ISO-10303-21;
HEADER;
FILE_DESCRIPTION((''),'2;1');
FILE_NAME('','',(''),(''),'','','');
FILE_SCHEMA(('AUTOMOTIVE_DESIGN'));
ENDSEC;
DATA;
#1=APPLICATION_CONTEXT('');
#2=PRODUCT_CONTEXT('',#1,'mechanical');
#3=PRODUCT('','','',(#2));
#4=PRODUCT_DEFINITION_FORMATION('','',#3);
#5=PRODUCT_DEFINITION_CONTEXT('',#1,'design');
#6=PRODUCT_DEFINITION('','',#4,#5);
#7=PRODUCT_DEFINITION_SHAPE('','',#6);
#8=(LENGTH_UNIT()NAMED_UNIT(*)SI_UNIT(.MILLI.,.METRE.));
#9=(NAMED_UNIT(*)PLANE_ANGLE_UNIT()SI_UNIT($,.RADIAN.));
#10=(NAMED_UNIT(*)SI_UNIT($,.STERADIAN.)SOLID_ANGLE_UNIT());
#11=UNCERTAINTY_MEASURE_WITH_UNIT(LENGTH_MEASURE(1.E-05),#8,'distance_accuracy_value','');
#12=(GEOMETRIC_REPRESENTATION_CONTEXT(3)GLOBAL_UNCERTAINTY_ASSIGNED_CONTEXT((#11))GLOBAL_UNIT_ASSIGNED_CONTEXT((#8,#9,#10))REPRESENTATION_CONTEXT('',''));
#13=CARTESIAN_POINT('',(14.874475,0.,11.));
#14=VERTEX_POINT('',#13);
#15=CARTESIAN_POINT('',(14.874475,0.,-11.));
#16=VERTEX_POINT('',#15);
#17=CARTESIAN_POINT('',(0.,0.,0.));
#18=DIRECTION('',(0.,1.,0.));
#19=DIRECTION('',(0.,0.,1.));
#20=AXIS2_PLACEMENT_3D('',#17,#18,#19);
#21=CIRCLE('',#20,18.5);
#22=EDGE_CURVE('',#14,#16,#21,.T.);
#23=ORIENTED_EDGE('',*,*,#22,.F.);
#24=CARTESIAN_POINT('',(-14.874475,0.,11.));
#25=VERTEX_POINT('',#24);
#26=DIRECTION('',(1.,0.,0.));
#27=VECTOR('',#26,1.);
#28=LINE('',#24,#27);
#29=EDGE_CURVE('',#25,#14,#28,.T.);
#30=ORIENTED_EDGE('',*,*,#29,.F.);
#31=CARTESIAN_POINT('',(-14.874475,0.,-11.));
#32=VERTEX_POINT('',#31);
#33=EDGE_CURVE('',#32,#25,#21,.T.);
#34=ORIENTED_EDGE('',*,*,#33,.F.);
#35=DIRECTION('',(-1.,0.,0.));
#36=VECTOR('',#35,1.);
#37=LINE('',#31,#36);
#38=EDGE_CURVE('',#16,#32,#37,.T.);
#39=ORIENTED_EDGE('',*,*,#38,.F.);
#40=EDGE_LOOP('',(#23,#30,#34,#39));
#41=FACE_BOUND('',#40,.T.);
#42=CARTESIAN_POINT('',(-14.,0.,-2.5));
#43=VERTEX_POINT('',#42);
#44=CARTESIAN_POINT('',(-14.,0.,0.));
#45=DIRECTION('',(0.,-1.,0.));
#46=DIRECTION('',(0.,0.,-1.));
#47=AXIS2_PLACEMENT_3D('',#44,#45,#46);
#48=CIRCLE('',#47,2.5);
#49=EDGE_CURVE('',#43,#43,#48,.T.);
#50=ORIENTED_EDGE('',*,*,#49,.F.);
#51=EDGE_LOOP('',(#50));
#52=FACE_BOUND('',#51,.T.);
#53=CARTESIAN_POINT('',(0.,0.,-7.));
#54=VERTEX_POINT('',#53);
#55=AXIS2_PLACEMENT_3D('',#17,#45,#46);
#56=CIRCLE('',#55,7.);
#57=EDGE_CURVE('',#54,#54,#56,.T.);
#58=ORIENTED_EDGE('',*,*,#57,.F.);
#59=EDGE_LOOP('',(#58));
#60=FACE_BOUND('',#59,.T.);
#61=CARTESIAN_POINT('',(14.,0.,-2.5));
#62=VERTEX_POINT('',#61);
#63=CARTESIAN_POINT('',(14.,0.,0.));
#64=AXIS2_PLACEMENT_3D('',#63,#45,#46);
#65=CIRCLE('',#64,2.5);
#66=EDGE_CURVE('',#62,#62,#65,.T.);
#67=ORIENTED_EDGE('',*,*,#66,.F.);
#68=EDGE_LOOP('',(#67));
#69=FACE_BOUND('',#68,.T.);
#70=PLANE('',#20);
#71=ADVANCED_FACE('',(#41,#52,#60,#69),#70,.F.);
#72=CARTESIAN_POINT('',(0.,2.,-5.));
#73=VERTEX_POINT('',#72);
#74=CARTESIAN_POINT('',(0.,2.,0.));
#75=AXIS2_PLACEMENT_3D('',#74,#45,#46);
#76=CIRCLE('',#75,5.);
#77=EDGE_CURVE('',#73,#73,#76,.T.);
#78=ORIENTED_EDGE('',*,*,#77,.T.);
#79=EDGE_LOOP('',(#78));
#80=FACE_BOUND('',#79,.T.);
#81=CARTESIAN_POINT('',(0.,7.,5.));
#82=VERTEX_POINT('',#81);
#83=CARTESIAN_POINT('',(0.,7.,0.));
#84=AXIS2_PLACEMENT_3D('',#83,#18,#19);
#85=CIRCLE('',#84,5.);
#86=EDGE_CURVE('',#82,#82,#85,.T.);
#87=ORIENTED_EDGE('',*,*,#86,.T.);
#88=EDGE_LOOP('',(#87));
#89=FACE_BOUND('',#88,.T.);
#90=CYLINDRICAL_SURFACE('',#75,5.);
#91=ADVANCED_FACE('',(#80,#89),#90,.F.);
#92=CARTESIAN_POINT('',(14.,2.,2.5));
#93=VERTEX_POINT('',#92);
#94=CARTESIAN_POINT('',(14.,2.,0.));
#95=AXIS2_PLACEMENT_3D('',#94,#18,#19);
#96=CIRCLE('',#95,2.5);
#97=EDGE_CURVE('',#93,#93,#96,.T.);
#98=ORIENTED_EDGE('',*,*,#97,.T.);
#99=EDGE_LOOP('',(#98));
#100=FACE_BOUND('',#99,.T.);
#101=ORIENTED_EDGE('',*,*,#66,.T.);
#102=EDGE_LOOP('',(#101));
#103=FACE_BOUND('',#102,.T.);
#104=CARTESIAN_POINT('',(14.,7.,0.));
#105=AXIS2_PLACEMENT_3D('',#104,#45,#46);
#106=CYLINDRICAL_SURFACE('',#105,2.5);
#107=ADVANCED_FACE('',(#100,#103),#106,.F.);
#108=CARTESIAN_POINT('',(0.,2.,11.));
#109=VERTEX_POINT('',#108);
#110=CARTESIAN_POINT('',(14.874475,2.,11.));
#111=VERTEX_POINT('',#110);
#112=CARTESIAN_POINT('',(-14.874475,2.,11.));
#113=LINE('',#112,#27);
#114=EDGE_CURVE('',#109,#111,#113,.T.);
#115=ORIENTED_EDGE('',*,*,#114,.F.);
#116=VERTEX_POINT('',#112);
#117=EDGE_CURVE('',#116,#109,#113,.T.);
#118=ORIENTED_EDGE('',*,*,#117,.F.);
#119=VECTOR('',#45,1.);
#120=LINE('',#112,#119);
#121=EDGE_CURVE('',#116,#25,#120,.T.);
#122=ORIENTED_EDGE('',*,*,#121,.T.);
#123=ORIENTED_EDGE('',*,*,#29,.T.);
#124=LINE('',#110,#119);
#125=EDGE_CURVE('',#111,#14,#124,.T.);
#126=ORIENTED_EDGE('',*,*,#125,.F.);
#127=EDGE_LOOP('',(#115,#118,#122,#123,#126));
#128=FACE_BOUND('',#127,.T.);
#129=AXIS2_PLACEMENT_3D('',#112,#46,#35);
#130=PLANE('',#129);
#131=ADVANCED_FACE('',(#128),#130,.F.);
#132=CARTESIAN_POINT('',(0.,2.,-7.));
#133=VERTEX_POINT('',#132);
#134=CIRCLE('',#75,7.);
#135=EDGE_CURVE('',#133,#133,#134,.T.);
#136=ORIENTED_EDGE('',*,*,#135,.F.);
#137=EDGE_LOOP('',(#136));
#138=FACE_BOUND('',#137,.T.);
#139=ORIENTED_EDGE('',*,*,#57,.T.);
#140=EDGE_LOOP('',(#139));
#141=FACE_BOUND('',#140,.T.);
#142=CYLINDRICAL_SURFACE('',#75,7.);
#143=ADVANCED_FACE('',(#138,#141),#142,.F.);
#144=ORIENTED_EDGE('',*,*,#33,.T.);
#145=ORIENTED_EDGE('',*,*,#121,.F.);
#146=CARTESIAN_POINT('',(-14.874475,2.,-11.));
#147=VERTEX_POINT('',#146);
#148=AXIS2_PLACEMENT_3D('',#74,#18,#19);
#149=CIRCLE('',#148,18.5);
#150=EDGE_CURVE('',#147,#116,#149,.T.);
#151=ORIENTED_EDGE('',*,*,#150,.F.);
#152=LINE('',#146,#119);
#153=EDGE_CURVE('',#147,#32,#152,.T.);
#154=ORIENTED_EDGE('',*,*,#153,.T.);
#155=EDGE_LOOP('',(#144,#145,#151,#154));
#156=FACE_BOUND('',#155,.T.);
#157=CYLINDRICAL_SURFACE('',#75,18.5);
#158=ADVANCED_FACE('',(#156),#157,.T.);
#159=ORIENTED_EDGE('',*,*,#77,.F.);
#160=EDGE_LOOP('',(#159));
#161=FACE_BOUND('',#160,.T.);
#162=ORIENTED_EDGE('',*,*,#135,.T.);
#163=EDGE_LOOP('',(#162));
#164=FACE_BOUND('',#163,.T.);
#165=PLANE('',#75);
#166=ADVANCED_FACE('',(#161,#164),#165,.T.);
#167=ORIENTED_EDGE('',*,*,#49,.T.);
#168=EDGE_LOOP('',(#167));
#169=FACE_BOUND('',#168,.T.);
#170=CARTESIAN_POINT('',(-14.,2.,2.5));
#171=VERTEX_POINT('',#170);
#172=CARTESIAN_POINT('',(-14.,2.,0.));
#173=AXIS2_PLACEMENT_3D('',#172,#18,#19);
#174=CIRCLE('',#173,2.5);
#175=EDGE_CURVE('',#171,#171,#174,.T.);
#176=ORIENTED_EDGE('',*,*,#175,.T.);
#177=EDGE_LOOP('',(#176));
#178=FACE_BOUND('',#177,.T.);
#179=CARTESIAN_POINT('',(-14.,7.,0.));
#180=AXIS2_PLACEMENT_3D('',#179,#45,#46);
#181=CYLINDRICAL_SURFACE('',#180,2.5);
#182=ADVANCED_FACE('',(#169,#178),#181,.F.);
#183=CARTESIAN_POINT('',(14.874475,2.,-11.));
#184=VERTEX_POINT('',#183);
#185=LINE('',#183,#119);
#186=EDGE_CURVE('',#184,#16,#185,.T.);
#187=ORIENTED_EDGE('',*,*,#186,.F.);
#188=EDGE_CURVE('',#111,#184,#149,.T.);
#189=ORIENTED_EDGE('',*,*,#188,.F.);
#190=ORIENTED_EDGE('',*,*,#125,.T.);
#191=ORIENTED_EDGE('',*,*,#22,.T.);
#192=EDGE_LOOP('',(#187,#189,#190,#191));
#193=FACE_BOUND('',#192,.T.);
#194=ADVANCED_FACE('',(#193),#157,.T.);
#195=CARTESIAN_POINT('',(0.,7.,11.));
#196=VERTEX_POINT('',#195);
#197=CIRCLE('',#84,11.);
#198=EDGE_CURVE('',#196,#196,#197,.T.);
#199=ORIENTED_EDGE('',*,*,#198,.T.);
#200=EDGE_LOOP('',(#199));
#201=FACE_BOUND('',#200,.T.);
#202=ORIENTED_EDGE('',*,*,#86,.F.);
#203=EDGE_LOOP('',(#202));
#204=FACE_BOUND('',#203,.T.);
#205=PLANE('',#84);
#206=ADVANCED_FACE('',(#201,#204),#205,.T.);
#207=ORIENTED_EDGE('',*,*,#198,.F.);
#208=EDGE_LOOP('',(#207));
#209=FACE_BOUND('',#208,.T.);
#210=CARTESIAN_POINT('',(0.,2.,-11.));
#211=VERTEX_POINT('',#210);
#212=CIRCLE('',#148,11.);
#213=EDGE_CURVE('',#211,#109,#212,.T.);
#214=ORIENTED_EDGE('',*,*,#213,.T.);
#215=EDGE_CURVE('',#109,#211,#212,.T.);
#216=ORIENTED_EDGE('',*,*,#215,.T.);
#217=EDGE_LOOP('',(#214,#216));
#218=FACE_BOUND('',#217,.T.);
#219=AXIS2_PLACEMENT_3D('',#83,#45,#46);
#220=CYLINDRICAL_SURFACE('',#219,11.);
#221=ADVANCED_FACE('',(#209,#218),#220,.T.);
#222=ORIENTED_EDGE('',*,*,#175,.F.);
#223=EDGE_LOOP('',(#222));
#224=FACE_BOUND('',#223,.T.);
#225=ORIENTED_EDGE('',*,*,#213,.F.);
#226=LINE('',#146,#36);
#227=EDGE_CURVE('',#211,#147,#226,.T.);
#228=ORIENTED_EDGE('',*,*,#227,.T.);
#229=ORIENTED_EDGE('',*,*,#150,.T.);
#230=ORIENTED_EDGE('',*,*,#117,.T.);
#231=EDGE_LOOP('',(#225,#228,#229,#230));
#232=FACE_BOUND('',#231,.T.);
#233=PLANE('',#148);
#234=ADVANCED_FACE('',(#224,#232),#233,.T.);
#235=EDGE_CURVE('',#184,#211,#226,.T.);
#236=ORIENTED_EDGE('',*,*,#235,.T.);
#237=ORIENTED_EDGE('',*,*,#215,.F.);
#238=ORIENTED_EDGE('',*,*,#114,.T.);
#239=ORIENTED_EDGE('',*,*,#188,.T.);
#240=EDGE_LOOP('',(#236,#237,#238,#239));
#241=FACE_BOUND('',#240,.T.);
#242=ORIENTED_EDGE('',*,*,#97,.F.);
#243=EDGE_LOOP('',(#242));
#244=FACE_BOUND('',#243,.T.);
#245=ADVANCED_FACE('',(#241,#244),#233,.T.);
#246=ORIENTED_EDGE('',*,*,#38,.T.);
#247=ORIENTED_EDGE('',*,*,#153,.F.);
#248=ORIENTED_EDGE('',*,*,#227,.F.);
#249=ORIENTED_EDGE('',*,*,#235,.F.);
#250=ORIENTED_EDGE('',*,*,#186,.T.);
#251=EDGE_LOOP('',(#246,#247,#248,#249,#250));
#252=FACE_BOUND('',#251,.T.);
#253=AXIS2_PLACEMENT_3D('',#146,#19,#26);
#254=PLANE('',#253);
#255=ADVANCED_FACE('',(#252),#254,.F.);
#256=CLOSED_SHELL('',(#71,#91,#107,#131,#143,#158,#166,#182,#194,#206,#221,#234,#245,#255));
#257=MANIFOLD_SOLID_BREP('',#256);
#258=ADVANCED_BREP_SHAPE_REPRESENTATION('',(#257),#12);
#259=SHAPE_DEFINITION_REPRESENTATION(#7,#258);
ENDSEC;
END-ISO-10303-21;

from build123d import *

# Parameters (mm, degrees)
SKETCH_1_R          = 5
EXTRUDE_1_DEPTH     = 2
SKETCH_2_R          = 11
SKETCH_2_R_2        = 5
EXTRUDE_2_DEPTH     = 5
SKETCH_3_R          = 2.5
CUT_EXTRUDE_1_DEPTH = 23.632940596
SKETCH_4_R          = 7
CUT_EXTRUDE_2_DEPTH = 2


with BuildPart() as part:
    # 草图1 → 凸台-拉伸1 (new body)
    with BuildSketch(Plane(origin=(0, 0, 0), x_dir=(1, 0, 0), z_dir=(0, 1, 0))):
        with BuildLine():
            Line((-14.874474781, 11), (14.874474781, 11))
            ThreePointArc((14.874474781, 11), (18.5, 0), (14.874474781, -11))
            Line((14.874474781, -11), (-14.874474781, -11))
            ThreePointArc((-14.874474781, -11), (-18.5, 0), (-14.874474781, 11))
        make_face()
        with Locations(Location((0, 0, 0), (0, 0, 270))):
            Circle(SKETCH_1_R, mode=Mode.SUBTRACT)
    extrude(amount=EXTRUDE_1_DEPTH)

    # 草图2 → 凸台-拉伸2 (add)
    with BuildSketch(Plane(origin=(0, 2, 0), x_dir=(1, 0, 0), z_dir=(0, 1, 0))):
        with Locations(Location((0, 0, 0), (0, 0, 270))):
            Circle(SKETCH_2_R)
        with Locations(Location((0, 0, 0), (0, 0, 270))):
            Circle(SKETCH_2_R_2, mode=Mode.SUBTRACT)
    extrude(amount=EXTRUDE_2_DEPTH)

    # 草图3 → 切除-拉伸1 (cut, through all)
    with BuildSketch(Plane.XZ):
        with Locations(Location((-14, 0, 0), (0, 0, 270))):
            Circle(SKETCH_3_R)
        with Locations(Location((14, 0, 0), (0, 0, 270))):
            Circle(SKETCH_3_R)
    extrude(amount=-CUT_EXTRUDE_1_DEPTH, mode=Mode.SUBTRACT)

    # 草图4 → 切除-拉伸2 (cut)
    with BuildSketch(Plane.XZ):
        with Locations(Location((0, 0, 0), (0, 0, 270))):
            Circle(SKETCH_4_R)
    extrude(amount=-CUT_EXTRUDE_2_DEPTH, mode=Mode.SUBTRACT)


solid = part.part
